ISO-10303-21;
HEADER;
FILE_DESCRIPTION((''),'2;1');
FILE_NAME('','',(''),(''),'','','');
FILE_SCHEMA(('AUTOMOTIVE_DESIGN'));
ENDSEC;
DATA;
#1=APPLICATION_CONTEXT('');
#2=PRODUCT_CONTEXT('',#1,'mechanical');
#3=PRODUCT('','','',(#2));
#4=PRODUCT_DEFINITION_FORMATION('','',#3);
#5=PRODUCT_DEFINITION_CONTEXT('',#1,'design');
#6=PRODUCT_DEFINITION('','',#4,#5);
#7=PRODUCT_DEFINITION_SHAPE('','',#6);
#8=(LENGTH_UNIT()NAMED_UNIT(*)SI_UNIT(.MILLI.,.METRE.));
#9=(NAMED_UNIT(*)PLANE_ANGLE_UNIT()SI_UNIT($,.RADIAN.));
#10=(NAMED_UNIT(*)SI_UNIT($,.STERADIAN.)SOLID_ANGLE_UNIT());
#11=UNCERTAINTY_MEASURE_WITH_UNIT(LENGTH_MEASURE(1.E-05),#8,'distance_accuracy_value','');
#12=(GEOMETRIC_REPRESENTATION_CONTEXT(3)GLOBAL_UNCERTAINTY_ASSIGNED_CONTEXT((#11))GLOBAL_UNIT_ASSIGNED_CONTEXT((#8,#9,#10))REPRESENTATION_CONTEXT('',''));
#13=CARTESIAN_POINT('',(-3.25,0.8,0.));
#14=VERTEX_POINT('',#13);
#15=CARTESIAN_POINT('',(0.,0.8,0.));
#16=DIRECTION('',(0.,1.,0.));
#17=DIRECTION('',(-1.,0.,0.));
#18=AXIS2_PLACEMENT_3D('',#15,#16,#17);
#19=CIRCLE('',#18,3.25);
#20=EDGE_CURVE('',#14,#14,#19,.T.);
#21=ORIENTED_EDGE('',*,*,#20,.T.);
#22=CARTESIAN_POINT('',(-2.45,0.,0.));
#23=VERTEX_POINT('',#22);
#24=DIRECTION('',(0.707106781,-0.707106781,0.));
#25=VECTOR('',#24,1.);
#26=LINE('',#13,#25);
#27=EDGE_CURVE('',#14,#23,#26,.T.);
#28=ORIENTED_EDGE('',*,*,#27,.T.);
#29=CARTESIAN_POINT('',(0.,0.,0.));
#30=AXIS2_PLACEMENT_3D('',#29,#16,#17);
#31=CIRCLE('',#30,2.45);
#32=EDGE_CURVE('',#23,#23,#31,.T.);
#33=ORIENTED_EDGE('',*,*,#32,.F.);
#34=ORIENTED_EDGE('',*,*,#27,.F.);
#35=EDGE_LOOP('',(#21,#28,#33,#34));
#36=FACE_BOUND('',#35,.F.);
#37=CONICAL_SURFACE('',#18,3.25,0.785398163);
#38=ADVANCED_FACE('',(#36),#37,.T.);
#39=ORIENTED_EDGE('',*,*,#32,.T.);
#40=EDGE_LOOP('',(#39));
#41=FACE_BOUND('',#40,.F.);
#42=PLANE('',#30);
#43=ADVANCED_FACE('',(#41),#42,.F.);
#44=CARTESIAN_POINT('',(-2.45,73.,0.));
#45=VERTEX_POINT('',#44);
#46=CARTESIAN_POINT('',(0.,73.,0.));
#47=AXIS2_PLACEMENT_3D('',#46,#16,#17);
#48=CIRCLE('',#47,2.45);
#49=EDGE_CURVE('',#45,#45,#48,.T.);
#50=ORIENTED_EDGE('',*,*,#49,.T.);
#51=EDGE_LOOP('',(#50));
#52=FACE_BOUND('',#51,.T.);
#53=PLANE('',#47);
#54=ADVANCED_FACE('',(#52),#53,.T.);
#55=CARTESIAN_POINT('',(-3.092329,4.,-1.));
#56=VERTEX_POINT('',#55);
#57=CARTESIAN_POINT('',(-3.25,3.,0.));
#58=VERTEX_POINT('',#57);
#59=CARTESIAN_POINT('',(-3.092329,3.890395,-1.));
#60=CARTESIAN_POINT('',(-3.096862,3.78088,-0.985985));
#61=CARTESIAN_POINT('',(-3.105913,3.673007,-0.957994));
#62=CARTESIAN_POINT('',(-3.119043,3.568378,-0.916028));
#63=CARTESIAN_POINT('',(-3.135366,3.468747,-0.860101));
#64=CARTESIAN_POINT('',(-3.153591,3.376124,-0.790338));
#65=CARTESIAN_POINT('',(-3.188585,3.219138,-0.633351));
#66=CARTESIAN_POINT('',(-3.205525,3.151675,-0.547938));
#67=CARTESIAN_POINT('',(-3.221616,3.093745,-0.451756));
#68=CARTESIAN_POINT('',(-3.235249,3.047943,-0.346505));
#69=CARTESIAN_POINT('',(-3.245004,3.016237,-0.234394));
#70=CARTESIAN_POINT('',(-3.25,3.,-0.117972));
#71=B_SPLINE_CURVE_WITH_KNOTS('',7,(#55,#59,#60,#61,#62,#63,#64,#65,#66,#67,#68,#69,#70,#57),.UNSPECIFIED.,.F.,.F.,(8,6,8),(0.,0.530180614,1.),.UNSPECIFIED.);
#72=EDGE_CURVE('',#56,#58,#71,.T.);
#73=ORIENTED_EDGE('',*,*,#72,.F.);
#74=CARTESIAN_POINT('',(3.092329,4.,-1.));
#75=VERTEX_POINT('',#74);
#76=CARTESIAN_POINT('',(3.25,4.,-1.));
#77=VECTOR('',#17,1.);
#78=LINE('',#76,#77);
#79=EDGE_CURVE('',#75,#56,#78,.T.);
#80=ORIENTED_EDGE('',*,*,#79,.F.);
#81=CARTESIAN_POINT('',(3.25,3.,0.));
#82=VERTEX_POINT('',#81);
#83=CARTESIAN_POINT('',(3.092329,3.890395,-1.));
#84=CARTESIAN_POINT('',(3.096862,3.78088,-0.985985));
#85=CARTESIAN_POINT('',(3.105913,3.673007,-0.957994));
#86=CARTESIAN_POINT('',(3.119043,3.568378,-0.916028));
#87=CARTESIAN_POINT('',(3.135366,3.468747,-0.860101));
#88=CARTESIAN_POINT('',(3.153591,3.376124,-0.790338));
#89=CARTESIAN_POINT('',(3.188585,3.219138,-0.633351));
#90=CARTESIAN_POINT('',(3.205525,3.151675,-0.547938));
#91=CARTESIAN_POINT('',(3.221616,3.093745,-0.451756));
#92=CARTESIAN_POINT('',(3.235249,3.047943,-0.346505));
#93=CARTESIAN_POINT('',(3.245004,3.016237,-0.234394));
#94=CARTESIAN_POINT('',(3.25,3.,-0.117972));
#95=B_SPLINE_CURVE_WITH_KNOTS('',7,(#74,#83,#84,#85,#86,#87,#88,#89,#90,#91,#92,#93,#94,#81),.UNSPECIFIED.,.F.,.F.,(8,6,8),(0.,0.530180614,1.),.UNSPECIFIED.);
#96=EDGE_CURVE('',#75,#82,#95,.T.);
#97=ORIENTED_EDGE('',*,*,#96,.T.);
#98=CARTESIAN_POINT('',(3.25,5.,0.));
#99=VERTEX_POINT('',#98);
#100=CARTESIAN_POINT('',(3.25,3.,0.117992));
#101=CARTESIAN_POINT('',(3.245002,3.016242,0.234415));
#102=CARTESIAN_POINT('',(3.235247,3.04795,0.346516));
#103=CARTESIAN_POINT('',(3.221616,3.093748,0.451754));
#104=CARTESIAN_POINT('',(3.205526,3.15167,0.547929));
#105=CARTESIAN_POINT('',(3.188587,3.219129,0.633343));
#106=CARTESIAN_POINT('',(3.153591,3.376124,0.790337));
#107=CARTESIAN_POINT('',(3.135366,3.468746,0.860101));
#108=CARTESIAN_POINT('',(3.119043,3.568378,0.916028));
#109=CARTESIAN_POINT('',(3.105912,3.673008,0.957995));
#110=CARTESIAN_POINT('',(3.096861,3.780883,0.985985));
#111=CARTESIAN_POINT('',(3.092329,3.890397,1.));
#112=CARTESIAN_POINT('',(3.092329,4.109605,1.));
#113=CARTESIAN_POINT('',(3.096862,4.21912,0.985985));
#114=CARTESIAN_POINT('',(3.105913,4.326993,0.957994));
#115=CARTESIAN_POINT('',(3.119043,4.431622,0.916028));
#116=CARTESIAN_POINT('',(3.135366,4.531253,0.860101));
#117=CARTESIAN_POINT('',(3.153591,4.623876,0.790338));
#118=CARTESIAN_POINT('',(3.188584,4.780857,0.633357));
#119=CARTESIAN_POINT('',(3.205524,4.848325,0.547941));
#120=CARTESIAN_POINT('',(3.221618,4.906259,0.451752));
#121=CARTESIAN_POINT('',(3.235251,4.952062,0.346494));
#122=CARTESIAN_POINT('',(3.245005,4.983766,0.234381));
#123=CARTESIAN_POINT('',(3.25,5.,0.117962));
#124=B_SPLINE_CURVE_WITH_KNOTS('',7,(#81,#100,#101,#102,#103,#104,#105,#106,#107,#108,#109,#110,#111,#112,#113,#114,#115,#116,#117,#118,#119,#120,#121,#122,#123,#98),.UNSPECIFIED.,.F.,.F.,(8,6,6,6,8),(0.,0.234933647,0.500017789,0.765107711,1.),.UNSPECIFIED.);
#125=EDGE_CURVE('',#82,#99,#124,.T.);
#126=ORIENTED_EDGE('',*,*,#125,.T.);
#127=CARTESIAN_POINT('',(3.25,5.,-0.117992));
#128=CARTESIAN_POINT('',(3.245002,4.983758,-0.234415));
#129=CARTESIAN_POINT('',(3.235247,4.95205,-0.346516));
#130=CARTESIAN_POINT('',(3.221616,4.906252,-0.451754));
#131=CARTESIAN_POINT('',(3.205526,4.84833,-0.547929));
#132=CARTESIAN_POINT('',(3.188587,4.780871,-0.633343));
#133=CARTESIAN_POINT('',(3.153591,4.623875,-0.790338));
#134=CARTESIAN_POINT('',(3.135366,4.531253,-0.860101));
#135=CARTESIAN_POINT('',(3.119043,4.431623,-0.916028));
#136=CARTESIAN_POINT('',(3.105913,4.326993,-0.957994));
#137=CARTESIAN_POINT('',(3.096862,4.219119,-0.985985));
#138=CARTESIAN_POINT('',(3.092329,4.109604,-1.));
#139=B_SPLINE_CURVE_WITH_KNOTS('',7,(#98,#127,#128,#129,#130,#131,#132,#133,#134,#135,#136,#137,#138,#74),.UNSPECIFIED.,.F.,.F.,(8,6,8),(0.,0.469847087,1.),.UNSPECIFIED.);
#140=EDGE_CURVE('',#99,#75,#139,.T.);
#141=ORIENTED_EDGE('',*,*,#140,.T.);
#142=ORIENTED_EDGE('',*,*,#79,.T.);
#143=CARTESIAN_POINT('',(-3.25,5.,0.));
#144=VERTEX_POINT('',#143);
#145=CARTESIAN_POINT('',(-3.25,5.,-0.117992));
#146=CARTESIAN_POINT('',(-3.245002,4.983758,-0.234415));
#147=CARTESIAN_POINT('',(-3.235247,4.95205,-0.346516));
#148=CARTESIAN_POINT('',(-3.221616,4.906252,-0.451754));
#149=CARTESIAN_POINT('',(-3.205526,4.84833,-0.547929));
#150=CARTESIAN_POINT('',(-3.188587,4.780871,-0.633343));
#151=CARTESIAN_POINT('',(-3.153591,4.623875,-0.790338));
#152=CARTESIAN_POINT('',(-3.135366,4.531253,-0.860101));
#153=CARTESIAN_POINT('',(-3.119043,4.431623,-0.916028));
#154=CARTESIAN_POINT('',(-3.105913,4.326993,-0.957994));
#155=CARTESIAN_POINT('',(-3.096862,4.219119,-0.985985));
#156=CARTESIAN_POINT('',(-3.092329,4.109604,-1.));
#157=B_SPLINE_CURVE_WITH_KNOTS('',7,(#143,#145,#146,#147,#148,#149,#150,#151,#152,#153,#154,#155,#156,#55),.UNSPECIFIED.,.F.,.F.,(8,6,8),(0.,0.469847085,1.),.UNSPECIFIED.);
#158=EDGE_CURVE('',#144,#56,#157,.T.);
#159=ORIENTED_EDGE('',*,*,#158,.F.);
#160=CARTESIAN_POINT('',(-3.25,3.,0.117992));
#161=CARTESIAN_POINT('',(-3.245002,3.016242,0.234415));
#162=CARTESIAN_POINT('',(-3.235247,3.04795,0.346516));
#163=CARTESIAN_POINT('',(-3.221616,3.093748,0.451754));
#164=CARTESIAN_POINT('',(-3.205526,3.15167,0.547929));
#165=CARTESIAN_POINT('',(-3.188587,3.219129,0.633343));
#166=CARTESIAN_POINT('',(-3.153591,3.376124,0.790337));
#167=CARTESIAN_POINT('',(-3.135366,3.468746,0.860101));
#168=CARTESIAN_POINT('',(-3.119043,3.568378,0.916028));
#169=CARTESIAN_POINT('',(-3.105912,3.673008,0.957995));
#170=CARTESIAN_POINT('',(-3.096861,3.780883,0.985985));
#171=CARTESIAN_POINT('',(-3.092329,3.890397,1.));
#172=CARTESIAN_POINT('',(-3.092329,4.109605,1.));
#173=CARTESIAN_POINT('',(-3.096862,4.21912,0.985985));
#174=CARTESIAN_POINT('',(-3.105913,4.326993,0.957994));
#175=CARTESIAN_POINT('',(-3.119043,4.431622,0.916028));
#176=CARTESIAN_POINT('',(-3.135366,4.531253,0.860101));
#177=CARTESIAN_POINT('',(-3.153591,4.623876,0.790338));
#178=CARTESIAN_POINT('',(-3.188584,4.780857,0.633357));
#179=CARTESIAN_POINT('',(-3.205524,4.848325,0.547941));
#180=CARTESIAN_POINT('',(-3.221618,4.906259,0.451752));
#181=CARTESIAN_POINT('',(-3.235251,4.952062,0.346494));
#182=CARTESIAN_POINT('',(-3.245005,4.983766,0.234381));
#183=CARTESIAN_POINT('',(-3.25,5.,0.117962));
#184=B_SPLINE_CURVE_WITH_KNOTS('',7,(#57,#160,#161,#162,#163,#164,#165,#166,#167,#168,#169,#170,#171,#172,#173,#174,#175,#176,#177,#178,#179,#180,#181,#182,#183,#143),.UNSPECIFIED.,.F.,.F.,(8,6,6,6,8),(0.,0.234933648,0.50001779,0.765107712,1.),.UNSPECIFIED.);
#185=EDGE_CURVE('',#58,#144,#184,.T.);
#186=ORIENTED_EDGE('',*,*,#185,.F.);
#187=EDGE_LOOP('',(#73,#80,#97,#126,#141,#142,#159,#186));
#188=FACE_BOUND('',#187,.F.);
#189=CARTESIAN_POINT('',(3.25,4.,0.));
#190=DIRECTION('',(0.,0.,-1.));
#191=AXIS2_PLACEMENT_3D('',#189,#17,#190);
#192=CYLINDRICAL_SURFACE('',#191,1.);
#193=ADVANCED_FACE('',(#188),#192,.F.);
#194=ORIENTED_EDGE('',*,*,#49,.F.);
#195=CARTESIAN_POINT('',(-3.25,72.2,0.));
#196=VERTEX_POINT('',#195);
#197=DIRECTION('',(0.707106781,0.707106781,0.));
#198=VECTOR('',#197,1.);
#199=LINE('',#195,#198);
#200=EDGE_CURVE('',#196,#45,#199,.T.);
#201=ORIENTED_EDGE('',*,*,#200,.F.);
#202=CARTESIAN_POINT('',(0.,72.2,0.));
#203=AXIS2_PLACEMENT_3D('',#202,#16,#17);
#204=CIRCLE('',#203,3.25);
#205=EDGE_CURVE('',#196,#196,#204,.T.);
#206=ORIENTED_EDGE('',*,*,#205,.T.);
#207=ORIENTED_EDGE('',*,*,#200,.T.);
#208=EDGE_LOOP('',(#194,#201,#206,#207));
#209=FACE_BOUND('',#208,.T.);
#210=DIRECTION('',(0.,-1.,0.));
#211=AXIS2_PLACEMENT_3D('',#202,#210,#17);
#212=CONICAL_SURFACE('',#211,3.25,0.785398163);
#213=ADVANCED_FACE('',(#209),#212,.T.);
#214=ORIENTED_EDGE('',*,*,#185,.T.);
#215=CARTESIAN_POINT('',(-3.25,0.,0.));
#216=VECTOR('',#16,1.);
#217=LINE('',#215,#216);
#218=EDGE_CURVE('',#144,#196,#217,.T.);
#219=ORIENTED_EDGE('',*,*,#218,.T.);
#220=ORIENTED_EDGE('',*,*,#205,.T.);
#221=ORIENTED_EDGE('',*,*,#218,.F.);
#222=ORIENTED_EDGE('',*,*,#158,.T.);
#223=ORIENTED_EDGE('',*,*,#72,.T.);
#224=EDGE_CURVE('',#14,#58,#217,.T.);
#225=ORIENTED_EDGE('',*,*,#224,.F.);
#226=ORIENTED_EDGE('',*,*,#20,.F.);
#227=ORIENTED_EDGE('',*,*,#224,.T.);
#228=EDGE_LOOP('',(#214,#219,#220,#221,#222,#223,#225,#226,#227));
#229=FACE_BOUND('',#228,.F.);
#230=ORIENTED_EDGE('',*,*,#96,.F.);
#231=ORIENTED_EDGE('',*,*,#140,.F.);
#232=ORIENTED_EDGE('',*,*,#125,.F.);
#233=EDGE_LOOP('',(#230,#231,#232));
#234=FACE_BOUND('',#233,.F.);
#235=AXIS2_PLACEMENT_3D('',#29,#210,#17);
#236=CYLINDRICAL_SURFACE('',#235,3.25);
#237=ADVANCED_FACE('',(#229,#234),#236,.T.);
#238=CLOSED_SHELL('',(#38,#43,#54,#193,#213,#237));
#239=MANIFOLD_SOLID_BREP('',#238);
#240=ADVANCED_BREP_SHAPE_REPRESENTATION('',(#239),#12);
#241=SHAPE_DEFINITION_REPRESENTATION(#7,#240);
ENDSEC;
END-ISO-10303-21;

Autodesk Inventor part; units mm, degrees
ref_plane "XZ Plane" through (0, 0, 0) normal (0, 1, 0) x (-1, 0, 0)
ref_plane "XY Plane" through (0, 0, 0) normal (0, 0, 1) x (1, 0, 0)
sketch "Skizze1" plane through (0, 0, 0) normal (0, 1, 0) x (-1, 0, 0)
  circle A0 centre (0, 0) radius 3.25
  dimension "d0" = 6.5
extrude "Extrusion1" add sketch "Skizze1" along normal blind 73
chamfer "Fasen1" distance 0.8 angle 45 2 edges at (3.25, 73, 0) (3.25, 0, 0)
ref_plane "Arbeitsebene1" through (3.25, 0, 0) normal (1, 0, 0) x (0, 1, 0)
sketch "Skizze2" plane through (3.25, 0, 0) normal (1, 0, 0) x (0, 1, 0)
  point P0 (0, 0)
  point P1 (4, 0)
  dimension "d7" = 4
hole "Bohrung1" at (3.25, 4, 0) direction (-1, 0, 0) diameter 2 end through all
properties part number "BMS_fiiting_long" material "Edelstahl"
